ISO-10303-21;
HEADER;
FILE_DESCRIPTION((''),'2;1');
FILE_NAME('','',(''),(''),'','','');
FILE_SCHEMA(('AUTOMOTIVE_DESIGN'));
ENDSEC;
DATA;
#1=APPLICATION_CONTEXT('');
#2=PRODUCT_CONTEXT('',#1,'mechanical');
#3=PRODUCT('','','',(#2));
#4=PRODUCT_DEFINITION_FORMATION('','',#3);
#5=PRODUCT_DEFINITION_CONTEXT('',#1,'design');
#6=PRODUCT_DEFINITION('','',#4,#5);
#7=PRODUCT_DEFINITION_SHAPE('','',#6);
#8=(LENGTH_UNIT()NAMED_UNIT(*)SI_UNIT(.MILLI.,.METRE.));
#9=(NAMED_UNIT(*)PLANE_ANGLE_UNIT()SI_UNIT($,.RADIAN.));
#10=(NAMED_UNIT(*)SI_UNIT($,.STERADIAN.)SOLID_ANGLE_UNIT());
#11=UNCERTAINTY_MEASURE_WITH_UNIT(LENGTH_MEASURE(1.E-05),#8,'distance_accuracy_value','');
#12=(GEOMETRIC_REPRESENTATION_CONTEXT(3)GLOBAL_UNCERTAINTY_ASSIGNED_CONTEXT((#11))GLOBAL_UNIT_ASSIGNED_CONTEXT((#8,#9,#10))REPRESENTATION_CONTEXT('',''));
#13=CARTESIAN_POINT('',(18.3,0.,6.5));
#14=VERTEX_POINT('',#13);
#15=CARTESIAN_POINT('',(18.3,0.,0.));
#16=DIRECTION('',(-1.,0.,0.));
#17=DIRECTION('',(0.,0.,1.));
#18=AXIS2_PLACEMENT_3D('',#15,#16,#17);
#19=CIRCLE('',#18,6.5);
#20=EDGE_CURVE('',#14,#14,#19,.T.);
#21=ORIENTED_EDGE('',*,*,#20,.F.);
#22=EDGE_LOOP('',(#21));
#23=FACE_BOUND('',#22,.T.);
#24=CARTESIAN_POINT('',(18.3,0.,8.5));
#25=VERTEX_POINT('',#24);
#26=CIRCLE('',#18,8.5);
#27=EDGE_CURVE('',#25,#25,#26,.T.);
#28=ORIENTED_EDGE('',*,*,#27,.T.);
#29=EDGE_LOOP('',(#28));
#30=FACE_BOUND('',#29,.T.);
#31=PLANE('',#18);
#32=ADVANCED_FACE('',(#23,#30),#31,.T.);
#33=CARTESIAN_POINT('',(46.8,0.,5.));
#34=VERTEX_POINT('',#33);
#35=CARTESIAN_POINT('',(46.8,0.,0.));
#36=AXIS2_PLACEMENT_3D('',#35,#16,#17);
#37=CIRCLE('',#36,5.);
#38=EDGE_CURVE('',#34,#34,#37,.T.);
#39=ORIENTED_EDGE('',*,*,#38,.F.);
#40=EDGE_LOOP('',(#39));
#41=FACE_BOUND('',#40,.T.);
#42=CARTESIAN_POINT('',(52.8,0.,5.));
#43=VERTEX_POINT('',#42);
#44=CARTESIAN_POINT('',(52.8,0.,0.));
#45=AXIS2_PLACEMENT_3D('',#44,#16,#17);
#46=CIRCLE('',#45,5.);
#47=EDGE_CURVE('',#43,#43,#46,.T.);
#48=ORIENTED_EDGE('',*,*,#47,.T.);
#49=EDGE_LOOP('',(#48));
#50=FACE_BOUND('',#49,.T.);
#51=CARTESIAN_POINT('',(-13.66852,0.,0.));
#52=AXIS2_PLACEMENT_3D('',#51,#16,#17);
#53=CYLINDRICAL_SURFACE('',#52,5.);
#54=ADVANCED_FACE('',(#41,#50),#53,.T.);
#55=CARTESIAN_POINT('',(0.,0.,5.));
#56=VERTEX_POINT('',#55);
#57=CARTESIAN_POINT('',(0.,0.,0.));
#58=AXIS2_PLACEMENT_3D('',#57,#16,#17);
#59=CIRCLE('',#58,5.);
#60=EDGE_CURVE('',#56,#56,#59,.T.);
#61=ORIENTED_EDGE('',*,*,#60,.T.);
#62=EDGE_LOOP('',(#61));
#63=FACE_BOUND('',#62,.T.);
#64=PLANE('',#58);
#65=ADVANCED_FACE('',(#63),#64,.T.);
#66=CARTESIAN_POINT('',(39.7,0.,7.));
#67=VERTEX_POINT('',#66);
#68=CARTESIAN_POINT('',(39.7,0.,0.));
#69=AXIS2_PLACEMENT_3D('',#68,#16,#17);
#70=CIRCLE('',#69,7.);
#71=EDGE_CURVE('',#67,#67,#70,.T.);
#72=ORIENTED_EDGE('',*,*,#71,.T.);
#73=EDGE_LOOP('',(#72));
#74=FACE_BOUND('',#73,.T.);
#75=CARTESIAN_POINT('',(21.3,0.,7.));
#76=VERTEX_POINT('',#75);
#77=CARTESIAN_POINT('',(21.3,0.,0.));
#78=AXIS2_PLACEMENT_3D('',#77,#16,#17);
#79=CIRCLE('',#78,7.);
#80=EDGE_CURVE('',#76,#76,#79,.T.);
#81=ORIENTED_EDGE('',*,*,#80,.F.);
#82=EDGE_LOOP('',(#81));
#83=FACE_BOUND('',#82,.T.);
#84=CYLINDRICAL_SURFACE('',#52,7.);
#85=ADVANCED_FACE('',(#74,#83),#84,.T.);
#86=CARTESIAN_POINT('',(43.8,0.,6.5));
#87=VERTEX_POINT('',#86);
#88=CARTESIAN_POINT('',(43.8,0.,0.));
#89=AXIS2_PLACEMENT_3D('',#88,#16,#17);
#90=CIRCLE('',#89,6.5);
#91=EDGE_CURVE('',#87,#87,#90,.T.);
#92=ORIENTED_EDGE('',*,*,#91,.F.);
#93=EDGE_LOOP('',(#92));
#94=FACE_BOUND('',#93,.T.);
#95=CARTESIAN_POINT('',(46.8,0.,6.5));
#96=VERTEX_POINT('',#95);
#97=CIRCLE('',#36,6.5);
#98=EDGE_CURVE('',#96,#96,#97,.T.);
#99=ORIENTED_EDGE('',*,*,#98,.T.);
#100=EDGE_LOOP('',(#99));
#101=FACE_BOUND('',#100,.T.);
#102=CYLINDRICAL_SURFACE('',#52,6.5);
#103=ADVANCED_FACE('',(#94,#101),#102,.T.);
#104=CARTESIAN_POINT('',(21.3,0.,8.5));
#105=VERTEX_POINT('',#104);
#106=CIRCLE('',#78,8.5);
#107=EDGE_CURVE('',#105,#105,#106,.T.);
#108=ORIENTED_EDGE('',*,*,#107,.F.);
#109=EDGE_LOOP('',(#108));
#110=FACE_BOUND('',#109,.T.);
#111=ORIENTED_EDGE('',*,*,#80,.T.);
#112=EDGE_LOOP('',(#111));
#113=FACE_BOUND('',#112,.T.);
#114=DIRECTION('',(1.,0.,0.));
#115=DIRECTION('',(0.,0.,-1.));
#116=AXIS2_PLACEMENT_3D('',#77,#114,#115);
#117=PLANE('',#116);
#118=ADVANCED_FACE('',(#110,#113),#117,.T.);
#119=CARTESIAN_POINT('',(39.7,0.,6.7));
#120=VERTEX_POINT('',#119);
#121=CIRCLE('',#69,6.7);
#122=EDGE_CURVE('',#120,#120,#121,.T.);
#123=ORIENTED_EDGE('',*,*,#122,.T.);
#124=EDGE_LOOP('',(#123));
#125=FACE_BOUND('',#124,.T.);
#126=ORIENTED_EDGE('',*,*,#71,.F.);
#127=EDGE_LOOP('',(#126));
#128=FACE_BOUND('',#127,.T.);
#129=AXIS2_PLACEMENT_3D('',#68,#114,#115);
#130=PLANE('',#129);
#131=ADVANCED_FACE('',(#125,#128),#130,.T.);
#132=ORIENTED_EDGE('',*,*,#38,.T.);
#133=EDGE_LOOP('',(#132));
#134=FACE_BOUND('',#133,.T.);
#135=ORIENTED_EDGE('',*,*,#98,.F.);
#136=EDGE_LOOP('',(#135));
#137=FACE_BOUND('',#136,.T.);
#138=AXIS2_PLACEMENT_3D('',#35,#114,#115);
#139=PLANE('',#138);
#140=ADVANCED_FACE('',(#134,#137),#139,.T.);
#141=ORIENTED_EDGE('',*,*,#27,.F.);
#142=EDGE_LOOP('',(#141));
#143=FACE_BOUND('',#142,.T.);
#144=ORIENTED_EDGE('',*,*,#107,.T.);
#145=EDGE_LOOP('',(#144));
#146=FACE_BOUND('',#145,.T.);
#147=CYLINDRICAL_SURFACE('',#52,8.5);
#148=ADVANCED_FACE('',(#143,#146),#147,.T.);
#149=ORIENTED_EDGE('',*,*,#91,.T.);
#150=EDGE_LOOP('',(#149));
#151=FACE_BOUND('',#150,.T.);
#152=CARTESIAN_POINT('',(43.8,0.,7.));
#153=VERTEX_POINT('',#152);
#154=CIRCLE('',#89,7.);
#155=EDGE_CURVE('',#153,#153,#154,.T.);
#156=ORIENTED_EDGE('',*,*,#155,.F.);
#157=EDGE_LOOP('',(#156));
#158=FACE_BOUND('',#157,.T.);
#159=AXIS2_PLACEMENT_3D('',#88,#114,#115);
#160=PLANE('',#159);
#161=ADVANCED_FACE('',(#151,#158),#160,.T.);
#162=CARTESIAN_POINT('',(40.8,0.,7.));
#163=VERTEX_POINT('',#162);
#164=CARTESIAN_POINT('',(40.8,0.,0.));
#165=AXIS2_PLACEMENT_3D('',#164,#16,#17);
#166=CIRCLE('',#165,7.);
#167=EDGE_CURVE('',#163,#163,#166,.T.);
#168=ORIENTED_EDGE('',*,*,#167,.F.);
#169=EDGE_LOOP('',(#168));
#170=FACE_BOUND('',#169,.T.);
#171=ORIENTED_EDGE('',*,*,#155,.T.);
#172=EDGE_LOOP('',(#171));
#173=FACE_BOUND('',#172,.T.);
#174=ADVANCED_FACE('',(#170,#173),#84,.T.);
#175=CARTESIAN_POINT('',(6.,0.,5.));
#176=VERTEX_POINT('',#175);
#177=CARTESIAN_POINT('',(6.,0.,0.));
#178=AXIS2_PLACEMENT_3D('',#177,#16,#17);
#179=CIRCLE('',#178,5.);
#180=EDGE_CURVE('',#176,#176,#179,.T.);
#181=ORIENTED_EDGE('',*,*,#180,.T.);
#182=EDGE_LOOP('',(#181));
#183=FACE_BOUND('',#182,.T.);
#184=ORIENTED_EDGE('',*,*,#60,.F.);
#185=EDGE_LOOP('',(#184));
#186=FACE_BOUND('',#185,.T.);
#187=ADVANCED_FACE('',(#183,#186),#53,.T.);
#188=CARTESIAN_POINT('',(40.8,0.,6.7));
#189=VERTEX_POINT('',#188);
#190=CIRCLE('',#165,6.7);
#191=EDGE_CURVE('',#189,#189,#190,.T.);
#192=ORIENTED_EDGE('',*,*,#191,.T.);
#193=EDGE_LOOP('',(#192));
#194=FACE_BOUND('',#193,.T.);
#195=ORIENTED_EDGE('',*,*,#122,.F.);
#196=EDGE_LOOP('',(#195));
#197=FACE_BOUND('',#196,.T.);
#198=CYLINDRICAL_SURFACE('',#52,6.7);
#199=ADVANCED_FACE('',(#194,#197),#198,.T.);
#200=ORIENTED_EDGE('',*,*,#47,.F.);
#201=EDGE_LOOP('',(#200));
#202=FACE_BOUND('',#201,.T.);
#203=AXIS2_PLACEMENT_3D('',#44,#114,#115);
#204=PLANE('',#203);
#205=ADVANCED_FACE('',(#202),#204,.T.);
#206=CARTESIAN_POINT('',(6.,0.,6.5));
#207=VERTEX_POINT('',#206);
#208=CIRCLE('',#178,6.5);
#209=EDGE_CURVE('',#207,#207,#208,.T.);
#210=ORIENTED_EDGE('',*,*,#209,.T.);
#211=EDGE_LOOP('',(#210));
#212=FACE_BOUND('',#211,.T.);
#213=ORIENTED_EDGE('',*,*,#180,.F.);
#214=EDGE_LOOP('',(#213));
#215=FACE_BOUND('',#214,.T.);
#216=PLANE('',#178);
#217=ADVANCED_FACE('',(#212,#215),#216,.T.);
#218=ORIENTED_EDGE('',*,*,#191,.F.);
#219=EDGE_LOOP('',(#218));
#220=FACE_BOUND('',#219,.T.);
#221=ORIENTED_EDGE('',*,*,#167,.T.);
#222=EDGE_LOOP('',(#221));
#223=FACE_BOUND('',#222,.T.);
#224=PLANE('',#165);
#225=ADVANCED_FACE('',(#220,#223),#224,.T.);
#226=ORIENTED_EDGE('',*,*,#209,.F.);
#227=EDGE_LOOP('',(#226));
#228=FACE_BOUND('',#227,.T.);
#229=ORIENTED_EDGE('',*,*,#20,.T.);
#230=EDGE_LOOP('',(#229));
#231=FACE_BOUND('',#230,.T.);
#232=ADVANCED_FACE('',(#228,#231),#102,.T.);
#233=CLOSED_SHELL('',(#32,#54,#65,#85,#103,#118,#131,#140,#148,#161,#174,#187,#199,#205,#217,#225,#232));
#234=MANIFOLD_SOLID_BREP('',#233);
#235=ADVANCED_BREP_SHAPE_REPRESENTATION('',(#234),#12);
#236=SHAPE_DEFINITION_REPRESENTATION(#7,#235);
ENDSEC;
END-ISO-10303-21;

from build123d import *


with BuildPart() as part:
    # Sketch1 → Revolve1 (revolve)
    with BuildSketch(Plane.XY, mode=Mode.PRIVATE) as revolve1_sk:
        Polygon((0, 5), (0, 0), (52.8, 0), (52.8, 5), (46.8, 5), (46.8, 6.5), (43.8, 6.5), (43.8, 7), (40.8, 7), (40.8, 6.7), (39.7, 6.7), (39.7, 7), (21.3, 7), (21.3, 8.5), (18.3, 8.5), (18.3, 6.5), (6, 6.5), (6, 5), align=None)
    revolve(revolve1_sk.sketch.rotate(Axis((-13.668520122, 0, 0), (1, 0, 0)), 90), axis=Axis((-13.668520122, 0, 0), (1, 0, 0)))


solid = part.part
